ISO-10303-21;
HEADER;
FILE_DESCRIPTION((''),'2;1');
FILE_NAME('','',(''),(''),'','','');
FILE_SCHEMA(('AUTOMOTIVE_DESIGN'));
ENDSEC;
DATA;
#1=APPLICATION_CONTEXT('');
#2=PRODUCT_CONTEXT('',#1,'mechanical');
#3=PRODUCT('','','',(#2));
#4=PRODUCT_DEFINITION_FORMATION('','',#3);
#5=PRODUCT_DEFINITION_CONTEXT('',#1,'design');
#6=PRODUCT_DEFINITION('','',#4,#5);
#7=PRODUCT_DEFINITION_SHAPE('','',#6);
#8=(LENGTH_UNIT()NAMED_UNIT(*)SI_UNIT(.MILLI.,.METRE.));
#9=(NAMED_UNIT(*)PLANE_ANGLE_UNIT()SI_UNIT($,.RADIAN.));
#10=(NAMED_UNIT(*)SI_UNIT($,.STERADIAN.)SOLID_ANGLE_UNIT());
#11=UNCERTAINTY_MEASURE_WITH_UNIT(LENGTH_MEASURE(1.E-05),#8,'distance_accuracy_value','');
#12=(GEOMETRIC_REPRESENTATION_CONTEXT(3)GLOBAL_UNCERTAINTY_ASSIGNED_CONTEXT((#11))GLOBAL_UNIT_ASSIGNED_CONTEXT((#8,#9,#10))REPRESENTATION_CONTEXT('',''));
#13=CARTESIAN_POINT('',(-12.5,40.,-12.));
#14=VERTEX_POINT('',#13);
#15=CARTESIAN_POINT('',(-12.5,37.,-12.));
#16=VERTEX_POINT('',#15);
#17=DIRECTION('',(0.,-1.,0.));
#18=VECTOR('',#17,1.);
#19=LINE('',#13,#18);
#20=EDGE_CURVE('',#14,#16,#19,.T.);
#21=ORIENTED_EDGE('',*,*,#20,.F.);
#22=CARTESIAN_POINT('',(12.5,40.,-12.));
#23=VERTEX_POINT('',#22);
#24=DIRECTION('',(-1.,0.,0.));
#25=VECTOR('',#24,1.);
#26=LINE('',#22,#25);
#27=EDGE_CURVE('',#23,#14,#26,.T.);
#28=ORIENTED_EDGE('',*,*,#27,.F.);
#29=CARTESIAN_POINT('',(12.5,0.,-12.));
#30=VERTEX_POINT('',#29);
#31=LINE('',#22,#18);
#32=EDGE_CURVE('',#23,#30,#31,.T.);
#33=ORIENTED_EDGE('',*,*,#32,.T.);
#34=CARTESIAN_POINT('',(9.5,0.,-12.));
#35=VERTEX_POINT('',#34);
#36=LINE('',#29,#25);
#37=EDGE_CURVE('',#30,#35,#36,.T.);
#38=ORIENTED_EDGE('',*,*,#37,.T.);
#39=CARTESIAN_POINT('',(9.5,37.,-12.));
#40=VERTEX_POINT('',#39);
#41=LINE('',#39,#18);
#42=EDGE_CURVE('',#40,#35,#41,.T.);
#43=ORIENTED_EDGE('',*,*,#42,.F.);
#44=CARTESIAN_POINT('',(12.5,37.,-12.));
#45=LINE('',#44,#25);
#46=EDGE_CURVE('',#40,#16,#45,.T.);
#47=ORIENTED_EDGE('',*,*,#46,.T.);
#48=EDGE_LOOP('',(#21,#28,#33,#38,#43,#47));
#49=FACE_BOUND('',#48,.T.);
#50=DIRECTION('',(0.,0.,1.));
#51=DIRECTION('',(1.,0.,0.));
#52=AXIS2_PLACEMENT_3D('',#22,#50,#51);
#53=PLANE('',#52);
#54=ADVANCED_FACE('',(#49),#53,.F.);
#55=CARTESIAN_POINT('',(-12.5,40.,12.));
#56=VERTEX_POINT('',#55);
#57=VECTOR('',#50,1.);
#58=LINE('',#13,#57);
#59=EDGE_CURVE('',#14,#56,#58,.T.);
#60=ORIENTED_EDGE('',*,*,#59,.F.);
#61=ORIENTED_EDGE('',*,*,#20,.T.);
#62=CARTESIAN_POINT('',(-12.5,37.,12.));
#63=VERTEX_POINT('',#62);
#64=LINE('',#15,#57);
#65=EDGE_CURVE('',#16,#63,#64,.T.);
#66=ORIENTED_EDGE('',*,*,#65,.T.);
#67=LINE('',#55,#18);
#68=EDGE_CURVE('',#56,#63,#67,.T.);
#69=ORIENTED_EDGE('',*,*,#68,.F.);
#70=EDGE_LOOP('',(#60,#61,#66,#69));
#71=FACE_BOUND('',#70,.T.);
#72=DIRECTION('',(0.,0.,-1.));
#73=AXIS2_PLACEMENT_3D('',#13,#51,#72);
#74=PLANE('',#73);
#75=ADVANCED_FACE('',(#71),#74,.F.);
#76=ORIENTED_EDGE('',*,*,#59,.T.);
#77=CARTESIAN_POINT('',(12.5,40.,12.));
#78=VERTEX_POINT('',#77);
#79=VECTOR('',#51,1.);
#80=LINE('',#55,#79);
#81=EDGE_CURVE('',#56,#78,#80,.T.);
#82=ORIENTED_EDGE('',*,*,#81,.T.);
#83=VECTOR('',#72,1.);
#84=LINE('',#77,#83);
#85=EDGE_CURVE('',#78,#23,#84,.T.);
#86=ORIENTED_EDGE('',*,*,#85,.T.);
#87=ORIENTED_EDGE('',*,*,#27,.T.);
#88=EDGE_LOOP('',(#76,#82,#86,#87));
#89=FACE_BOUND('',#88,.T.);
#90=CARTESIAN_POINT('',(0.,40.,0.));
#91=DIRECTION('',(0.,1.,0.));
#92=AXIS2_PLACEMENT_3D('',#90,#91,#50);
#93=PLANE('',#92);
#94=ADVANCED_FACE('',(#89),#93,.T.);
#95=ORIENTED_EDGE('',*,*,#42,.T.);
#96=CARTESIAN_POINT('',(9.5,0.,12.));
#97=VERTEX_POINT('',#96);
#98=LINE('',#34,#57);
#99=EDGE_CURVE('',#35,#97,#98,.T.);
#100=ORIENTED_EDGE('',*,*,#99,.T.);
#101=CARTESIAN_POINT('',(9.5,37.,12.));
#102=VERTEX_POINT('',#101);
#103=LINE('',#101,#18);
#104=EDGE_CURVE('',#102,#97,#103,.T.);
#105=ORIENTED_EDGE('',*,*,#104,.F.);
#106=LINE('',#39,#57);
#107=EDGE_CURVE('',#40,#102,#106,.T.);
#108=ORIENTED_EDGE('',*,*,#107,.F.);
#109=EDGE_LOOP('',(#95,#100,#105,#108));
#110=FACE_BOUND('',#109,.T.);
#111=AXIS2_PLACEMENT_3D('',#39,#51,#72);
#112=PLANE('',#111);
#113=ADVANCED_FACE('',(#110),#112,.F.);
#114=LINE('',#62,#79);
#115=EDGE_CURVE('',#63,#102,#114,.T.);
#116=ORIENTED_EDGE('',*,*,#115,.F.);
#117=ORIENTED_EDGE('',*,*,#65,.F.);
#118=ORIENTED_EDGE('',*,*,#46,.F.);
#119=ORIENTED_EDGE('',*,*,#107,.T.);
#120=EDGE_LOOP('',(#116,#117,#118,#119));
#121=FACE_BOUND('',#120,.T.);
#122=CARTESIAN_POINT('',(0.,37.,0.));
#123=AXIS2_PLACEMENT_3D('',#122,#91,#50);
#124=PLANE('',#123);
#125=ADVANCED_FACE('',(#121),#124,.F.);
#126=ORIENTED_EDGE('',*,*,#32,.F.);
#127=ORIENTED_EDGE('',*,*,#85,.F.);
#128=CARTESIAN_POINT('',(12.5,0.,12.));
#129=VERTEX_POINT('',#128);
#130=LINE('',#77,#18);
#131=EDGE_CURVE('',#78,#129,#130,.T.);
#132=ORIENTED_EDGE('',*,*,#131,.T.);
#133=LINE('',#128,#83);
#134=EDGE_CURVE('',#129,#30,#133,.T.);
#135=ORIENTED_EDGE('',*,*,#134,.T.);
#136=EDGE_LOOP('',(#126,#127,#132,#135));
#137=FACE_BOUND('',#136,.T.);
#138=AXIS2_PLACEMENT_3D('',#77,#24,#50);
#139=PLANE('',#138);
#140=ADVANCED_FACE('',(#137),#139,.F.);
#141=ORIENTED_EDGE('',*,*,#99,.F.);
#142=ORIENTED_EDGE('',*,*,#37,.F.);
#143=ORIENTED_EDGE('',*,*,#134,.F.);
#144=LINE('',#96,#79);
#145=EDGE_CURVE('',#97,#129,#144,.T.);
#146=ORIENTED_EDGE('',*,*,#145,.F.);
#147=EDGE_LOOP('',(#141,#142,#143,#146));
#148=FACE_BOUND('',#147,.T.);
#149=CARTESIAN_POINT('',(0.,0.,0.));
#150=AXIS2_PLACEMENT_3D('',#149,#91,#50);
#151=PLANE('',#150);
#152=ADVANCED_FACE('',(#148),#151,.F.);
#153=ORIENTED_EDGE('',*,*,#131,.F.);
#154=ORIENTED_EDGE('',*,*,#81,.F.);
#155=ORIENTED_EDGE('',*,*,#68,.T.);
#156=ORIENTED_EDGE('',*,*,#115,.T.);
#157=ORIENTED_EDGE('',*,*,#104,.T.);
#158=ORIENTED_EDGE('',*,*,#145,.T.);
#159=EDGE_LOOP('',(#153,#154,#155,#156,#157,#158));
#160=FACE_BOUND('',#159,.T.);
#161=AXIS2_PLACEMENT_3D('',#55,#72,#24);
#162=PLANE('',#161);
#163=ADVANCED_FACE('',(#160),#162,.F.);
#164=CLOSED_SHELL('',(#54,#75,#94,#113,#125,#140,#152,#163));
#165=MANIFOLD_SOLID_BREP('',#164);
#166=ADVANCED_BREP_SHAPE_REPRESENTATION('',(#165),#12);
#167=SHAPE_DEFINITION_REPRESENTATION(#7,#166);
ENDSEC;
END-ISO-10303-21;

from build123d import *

# Parameters (mm, degrees)
P01_CONTACTTOPLEG_START = 37
SK_P01_CONTACTTOPLEG_W  = 25
SK_P01_CONTACTTOPLEG_H  = 24
P01_CONTACTTOPLEG_DEPTH = 3
SK_P02_CONTACTFACE_W    = 3
SK_P02_CONTACTFACE_H    = 24
P02_CONTACTFACE_DEPTH   = 37


with BuildPart() as part:
    # SK_P01_Contacttopleg → P01_Contacttopleg (new body)
    with BuildSketch(Plane(origin=(0, 0, 0), x_dir=(1, 0, 0), z_dir=(0, 1, 0)).offset(P01_CONTACTTOPLEG_START)):
        Rectangle(SK_P01_CONTACTTOPLEG_W, SK_P01_CONTACTTOPLEG_H)
    extrude(amount=P01_CONTACTTOPLEG_DEPTH)

    # SK_P02_Contactface → P02_Contactface (add)
    with BuildSketch(Plane(origin=(0, 0, 0), x_dir=(1, 0, 0), z_dir=(0, 1, 0))):
        with Locations((11, 0)):
            Rectangle(SK_P02_CONTACTFACE_W, SK_P02_CONTACTFACE_H)
    extrude(amount=P02_CONTACTFACE_DEPTH)


solid = part.part
